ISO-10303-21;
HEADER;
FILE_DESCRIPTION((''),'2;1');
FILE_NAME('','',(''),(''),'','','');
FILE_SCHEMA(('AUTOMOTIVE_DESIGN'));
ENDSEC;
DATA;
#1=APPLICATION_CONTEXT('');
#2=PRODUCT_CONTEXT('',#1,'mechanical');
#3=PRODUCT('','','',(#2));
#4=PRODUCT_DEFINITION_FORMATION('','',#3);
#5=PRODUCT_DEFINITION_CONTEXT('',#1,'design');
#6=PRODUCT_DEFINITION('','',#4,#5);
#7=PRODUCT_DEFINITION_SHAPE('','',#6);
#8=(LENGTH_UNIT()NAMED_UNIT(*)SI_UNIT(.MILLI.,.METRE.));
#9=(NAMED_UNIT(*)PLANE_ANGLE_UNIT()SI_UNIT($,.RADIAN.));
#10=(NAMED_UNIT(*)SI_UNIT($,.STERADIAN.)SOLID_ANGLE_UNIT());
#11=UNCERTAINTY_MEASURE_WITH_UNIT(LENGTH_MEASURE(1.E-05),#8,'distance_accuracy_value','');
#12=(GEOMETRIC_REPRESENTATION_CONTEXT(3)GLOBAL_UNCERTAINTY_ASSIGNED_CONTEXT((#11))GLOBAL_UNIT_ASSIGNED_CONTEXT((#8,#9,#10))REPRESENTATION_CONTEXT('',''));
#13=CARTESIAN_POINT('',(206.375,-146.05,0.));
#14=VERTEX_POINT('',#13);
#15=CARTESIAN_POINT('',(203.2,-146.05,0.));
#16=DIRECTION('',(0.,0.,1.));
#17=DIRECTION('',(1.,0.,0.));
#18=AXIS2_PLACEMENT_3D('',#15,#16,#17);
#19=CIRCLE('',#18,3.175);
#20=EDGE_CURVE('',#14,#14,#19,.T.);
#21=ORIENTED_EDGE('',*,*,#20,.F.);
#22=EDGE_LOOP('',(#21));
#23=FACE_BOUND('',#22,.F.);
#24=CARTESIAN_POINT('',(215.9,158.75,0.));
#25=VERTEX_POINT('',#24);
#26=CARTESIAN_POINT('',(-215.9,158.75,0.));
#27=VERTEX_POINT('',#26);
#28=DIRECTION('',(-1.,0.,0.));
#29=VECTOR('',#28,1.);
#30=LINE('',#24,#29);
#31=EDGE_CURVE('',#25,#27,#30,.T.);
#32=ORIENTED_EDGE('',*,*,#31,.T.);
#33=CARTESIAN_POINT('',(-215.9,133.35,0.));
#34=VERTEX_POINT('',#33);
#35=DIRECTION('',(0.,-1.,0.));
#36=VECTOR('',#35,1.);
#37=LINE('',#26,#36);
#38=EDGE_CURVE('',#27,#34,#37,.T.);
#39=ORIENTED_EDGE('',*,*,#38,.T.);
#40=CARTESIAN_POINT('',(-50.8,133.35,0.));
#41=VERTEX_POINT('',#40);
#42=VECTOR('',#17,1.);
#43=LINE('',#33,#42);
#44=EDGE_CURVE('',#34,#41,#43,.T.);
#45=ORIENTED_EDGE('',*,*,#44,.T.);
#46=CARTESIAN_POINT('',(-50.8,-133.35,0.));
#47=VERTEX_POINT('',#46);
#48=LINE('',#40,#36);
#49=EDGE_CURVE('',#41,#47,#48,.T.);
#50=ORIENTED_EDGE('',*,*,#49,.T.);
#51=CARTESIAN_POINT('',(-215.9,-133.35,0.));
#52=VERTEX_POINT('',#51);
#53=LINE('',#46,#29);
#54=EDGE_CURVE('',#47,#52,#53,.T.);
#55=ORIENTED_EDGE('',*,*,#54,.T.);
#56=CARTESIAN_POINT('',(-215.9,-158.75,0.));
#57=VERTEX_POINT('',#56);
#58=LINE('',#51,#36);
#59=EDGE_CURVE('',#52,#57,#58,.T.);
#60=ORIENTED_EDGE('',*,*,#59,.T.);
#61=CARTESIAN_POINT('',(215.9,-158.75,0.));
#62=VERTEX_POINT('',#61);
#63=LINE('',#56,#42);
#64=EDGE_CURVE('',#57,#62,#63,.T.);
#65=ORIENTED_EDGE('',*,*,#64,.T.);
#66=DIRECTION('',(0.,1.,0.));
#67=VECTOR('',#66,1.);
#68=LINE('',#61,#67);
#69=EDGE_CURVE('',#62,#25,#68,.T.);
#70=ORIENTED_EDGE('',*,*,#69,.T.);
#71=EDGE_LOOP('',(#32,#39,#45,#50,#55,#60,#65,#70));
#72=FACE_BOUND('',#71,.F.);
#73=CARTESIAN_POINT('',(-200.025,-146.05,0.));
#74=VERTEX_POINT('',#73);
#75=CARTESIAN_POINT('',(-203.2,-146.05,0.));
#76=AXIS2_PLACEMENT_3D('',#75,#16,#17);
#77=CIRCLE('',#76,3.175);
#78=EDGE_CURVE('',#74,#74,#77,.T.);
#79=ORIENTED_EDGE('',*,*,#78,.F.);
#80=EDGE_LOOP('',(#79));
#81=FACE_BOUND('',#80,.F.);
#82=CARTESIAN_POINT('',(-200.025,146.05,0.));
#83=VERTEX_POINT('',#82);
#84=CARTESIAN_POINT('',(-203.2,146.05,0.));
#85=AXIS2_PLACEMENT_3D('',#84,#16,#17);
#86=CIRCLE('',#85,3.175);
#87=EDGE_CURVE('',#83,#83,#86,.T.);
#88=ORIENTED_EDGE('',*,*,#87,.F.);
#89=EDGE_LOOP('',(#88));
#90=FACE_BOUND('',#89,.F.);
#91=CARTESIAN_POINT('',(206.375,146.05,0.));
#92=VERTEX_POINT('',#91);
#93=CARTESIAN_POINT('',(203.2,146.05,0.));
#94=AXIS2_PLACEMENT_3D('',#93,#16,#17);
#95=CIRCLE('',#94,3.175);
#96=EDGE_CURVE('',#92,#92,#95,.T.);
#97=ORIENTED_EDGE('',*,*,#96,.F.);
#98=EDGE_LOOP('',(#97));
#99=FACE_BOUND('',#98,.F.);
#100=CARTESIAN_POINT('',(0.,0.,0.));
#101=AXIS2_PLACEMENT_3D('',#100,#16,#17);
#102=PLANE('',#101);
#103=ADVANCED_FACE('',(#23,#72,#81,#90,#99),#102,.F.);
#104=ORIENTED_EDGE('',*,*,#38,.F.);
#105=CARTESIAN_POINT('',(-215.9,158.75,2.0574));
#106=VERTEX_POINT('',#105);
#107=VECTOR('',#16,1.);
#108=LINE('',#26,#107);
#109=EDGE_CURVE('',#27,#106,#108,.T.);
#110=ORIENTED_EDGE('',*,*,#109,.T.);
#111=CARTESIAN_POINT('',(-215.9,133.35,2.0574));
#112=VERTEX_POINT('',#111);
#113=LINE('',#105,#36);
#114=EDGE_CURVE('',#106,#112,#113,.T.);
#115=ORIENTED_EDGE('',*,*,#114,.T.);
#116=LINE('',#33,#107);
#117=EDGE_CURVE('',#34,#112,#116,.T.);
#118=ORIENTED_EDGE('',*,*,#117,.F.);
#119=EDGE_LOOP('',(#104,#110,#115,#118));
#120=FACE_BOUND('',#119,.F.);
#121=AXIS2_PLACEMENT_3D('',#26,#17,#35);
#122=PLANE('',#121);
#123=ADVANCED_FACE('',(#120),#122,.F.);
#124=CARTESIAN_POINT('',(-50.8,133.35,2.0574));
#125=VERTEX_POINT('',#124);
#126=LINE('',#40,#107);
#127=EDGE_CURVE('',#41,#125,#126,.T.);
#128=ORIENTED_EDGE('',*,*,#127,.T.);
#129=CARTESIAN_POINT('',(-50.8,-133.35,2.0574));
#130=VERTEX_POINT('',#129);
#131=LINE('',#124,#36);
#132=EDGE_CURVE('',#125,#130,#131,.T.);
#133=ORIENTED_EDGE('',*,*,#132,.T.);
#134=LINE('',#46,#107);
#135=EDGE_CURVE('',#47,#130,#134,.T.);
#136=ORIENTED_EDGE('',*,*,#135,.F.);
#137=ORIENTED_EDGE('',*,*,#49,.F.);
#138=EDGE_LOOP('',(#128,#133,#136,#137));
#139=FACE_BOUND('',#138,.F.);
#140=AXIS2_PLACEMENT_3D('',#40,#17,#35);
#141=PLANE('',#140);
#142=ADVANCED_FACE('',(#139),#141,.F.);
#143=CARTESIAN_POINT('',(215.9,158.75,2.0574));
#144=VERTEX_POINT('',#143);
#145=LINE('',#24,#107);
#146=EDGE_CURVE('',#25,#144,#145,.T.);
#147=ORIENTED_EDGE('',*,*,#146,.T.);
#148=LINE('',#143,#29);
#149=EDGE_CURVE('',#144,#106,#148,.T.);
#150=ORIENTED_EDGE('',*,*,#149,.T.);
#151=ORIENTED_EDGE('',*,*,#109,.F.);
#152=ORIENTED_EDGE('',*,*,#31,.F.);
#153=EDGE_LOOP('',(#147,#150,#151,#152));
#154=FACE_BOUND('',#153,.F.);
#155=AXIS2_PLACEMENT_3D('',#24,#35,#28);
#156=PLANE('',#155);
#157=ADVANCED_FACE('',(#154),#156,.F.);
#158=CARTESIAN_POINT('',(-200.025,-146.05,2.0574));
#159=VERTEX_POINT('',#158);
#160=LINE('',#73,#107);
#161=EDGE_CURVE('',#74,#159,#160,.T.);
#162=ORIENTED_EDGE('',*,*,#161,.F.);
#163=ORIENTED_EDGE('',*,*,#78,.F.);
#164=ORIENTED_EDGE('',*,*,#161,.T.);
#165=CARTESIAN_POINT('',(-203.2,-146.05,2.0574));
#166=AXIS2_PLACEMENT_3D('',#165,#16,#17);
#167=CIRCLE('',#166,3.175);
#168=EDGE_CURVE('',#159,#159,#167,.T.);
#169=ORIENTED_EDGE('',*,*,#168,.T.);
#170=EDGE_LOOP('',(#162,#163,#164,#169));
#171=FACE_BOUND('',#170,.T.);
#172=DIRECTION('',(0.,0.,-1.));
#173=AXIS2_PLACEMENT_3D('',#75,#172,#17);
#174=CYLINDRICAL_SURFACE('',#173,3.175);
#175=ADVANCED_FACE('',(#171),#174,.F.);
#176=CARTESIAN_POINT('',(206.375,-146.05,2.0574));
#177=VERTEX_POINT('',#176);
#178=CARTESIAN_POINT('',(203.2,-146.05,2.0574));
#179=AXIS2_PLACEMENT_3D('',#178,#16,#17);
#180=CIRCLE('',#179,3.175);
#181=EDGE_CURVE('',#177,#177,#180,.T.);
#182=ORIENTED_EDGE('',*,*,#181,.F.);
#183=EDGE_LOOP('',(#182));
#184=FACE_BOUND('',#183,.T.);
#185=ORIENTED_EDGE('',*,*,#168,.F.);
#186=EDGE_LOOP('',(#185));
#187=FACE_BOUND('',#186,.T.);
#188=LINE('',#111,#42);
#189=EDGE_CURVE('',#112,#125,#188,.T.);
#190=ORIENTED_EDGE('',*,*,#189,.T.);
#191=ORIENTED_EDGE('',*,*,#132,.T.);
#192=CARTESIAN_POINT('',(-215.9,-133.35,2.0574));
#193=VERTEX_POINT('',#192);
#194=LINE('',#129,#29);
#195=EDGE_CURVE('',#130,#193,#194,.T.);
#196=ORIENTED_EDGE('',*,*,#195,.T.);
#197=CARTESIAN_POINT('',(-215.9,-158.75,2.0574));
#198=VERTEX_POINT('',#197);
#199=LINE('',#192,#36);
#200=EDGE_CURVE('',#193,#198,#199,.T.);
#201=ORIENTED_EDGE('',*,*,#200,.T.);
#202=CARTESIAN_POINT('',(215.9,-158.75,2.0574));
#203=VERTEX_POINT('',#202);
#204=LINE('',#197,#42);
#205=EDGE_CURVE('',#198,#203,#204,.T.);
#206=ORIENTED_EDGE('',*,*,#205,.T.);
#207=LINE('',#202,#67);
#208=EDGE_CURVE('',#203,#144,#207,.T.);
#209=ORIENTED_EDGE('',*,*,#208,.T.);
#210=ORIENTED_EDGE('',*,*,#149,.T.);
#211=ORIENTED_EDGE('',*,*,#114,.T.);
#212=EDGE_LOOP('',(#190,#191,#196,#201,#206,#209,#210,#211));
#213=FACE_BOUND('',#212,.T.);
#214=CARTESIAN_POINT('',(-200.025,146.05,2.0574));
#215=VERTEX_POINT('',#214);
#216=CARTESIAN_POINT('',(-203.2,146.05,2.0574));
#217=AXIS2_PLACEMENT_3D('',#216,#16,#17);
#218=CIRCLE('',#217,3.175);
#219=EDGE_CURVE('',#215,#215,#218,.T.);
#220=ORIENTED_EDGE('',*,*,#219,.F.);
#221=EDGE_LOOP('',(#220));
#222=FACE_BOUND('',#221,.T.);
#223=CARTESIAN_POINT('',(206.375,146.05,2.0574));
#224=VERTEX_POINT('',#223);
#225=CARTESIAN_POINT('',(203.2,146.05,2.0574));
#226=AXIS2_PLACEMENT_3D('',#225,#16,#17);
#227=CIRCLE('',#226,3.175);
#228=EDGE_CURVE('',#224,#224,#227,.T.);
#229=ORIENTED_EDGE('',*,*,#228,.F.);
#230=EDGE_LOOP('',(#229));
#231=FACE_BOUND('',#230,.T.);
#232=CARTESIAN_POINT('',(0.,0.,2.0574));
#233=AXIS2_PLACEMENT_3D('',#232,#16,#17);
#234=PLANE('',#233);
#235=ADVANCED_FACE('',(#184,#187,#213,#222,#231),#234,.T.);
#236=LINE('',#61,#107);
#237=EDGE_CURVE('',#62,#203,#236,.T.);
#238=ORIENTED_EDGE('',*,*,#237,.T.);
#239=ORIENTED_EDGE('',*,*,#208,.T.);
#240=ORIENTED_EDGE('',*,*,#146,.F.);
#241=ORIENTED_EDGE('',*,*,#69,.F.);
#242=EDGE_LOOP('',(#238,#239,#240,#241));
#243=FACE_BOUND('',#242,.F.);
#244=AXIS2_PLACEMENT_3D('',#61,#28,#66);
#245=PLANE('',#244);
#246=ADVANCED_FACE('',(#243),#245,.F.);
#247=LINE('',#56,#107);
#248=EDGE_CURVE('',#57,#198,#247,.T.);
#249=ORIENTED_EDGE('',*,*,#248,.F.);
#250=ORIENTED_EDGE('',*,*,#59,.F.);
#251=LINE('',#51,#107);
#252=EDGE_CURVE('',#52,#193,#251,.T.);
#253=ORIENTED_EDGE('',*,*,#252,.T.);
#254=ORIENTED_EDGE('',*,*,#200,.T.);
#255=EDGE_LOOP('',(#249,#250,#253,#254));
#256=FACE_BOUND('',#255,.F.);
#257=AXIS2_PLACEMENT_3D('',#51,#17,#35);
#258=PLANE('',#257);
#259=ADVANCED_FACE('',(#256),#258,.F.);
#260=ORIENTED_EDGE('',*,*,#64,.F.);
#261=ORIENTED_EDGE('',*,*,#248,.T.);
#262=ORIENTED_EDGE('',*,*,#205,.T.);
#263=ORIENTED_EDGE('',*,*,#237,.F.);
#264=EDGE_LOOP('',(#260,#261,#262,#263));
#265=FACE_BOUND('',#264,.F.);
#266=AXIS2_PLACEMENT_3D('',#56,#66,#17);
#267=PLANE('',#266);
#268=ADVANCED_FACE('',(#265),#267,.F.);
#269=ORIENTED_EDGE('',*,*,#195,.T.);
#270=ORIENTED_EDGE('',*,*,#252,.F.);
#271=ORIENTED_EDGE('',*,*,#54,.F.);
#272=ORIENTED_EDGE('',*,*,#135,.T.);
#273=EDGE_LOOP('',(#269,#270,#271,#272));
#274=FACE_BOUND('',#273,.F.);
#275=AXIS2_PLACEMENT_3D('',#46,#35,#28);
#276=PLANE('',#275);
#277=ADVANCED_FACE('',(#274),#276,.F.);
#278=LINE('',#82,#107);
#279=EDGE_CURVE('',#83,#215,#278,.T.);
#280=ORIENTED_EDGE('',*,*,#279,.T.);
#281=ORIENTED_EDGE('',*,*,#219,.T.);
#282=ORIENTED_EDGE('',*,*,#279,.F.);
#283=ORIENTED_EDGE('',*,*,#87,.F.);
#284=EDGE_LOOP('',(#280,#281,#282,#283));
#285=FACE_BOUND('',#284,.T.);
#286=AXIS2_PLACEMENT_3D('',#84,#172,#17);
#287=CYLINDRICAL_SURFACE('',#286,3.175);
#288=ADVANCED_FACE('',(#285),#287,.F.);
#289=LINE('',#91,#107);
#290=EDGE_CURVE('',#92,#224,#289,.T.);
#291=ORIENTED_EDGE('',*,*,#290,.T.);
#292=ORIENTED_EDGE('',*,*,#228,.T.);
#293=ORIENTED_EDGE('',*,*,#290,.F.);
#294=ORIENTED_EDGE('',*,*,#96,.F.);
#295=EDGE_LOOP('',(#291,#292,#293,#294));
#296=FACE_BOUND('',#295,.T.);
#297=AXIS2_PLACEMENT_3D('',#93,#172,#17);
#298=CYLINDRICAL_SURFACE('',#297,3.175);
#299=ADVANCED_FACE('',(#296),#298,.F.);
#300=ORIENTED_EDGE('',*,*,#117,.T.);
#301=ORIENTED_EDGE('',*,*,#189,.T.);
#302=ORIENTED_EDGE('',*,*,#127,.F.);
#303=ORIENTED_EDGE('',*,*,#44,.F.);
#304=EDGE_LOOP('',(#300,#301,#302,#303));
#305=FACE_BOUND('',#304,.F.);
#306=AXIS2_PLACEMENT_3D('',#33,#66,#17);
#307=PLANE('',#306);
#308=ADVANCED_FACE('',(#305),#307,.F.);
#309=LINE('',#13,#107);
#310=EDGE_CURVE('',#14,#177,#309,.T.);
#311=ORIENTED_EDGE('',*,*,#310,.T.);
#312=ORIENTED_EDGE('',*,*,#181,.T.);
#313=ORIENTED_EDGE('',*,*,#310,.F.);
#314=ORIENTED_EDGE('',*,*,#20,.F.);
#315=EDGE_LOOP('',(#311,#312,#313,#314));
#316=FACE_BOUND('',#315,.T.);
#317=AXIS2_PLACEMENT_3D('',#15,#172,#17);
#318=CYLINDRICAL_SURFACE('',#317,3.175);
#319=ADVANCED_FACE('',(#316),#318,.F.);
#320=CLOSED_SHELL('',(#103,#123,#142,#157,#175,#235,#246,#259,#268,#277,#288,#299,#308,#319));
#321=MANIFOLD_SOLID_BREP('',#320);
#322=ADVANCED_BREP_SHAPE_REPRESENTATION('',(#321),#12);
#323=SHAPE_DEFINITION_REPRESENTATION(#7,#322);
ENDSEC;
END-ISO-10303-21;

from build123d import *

# Parameters (mm, degrees)
F0_R     = 3.175
F1_DEPTH = 2.0574


with BuildPart() as f1:
    # F0 (on Top) → F1 (new body)
    with BuildSketch(Plane.XY):
        Polygon((215.9, 158.75), (-215.9, 158.75), (-215.9, 133.35), (-50.8, 133.35), (-50.8, -133.35), (-215.9, -133.35), (-215.9, -158.75), (215.9, -158.75), align=None)
        with Locations((-203.2, -146.05)):
            Circle(F0_R, mode=Mode.SUBTRACT)
        with Locations((203.2, -146.05)):
            Circle(F0_R, mode=Mode.SUBTRACT)
        with Locations((-203.2, 146.05)):
            Circle(F0_R, mode=Mode.SUBTRACT)
        with Locations((203.2, 146.05)):
            Circle(F0_R, mode=Mode.SUBTRACT)
    extrude(amount=F1_DEPTH)


solid = f1.part
